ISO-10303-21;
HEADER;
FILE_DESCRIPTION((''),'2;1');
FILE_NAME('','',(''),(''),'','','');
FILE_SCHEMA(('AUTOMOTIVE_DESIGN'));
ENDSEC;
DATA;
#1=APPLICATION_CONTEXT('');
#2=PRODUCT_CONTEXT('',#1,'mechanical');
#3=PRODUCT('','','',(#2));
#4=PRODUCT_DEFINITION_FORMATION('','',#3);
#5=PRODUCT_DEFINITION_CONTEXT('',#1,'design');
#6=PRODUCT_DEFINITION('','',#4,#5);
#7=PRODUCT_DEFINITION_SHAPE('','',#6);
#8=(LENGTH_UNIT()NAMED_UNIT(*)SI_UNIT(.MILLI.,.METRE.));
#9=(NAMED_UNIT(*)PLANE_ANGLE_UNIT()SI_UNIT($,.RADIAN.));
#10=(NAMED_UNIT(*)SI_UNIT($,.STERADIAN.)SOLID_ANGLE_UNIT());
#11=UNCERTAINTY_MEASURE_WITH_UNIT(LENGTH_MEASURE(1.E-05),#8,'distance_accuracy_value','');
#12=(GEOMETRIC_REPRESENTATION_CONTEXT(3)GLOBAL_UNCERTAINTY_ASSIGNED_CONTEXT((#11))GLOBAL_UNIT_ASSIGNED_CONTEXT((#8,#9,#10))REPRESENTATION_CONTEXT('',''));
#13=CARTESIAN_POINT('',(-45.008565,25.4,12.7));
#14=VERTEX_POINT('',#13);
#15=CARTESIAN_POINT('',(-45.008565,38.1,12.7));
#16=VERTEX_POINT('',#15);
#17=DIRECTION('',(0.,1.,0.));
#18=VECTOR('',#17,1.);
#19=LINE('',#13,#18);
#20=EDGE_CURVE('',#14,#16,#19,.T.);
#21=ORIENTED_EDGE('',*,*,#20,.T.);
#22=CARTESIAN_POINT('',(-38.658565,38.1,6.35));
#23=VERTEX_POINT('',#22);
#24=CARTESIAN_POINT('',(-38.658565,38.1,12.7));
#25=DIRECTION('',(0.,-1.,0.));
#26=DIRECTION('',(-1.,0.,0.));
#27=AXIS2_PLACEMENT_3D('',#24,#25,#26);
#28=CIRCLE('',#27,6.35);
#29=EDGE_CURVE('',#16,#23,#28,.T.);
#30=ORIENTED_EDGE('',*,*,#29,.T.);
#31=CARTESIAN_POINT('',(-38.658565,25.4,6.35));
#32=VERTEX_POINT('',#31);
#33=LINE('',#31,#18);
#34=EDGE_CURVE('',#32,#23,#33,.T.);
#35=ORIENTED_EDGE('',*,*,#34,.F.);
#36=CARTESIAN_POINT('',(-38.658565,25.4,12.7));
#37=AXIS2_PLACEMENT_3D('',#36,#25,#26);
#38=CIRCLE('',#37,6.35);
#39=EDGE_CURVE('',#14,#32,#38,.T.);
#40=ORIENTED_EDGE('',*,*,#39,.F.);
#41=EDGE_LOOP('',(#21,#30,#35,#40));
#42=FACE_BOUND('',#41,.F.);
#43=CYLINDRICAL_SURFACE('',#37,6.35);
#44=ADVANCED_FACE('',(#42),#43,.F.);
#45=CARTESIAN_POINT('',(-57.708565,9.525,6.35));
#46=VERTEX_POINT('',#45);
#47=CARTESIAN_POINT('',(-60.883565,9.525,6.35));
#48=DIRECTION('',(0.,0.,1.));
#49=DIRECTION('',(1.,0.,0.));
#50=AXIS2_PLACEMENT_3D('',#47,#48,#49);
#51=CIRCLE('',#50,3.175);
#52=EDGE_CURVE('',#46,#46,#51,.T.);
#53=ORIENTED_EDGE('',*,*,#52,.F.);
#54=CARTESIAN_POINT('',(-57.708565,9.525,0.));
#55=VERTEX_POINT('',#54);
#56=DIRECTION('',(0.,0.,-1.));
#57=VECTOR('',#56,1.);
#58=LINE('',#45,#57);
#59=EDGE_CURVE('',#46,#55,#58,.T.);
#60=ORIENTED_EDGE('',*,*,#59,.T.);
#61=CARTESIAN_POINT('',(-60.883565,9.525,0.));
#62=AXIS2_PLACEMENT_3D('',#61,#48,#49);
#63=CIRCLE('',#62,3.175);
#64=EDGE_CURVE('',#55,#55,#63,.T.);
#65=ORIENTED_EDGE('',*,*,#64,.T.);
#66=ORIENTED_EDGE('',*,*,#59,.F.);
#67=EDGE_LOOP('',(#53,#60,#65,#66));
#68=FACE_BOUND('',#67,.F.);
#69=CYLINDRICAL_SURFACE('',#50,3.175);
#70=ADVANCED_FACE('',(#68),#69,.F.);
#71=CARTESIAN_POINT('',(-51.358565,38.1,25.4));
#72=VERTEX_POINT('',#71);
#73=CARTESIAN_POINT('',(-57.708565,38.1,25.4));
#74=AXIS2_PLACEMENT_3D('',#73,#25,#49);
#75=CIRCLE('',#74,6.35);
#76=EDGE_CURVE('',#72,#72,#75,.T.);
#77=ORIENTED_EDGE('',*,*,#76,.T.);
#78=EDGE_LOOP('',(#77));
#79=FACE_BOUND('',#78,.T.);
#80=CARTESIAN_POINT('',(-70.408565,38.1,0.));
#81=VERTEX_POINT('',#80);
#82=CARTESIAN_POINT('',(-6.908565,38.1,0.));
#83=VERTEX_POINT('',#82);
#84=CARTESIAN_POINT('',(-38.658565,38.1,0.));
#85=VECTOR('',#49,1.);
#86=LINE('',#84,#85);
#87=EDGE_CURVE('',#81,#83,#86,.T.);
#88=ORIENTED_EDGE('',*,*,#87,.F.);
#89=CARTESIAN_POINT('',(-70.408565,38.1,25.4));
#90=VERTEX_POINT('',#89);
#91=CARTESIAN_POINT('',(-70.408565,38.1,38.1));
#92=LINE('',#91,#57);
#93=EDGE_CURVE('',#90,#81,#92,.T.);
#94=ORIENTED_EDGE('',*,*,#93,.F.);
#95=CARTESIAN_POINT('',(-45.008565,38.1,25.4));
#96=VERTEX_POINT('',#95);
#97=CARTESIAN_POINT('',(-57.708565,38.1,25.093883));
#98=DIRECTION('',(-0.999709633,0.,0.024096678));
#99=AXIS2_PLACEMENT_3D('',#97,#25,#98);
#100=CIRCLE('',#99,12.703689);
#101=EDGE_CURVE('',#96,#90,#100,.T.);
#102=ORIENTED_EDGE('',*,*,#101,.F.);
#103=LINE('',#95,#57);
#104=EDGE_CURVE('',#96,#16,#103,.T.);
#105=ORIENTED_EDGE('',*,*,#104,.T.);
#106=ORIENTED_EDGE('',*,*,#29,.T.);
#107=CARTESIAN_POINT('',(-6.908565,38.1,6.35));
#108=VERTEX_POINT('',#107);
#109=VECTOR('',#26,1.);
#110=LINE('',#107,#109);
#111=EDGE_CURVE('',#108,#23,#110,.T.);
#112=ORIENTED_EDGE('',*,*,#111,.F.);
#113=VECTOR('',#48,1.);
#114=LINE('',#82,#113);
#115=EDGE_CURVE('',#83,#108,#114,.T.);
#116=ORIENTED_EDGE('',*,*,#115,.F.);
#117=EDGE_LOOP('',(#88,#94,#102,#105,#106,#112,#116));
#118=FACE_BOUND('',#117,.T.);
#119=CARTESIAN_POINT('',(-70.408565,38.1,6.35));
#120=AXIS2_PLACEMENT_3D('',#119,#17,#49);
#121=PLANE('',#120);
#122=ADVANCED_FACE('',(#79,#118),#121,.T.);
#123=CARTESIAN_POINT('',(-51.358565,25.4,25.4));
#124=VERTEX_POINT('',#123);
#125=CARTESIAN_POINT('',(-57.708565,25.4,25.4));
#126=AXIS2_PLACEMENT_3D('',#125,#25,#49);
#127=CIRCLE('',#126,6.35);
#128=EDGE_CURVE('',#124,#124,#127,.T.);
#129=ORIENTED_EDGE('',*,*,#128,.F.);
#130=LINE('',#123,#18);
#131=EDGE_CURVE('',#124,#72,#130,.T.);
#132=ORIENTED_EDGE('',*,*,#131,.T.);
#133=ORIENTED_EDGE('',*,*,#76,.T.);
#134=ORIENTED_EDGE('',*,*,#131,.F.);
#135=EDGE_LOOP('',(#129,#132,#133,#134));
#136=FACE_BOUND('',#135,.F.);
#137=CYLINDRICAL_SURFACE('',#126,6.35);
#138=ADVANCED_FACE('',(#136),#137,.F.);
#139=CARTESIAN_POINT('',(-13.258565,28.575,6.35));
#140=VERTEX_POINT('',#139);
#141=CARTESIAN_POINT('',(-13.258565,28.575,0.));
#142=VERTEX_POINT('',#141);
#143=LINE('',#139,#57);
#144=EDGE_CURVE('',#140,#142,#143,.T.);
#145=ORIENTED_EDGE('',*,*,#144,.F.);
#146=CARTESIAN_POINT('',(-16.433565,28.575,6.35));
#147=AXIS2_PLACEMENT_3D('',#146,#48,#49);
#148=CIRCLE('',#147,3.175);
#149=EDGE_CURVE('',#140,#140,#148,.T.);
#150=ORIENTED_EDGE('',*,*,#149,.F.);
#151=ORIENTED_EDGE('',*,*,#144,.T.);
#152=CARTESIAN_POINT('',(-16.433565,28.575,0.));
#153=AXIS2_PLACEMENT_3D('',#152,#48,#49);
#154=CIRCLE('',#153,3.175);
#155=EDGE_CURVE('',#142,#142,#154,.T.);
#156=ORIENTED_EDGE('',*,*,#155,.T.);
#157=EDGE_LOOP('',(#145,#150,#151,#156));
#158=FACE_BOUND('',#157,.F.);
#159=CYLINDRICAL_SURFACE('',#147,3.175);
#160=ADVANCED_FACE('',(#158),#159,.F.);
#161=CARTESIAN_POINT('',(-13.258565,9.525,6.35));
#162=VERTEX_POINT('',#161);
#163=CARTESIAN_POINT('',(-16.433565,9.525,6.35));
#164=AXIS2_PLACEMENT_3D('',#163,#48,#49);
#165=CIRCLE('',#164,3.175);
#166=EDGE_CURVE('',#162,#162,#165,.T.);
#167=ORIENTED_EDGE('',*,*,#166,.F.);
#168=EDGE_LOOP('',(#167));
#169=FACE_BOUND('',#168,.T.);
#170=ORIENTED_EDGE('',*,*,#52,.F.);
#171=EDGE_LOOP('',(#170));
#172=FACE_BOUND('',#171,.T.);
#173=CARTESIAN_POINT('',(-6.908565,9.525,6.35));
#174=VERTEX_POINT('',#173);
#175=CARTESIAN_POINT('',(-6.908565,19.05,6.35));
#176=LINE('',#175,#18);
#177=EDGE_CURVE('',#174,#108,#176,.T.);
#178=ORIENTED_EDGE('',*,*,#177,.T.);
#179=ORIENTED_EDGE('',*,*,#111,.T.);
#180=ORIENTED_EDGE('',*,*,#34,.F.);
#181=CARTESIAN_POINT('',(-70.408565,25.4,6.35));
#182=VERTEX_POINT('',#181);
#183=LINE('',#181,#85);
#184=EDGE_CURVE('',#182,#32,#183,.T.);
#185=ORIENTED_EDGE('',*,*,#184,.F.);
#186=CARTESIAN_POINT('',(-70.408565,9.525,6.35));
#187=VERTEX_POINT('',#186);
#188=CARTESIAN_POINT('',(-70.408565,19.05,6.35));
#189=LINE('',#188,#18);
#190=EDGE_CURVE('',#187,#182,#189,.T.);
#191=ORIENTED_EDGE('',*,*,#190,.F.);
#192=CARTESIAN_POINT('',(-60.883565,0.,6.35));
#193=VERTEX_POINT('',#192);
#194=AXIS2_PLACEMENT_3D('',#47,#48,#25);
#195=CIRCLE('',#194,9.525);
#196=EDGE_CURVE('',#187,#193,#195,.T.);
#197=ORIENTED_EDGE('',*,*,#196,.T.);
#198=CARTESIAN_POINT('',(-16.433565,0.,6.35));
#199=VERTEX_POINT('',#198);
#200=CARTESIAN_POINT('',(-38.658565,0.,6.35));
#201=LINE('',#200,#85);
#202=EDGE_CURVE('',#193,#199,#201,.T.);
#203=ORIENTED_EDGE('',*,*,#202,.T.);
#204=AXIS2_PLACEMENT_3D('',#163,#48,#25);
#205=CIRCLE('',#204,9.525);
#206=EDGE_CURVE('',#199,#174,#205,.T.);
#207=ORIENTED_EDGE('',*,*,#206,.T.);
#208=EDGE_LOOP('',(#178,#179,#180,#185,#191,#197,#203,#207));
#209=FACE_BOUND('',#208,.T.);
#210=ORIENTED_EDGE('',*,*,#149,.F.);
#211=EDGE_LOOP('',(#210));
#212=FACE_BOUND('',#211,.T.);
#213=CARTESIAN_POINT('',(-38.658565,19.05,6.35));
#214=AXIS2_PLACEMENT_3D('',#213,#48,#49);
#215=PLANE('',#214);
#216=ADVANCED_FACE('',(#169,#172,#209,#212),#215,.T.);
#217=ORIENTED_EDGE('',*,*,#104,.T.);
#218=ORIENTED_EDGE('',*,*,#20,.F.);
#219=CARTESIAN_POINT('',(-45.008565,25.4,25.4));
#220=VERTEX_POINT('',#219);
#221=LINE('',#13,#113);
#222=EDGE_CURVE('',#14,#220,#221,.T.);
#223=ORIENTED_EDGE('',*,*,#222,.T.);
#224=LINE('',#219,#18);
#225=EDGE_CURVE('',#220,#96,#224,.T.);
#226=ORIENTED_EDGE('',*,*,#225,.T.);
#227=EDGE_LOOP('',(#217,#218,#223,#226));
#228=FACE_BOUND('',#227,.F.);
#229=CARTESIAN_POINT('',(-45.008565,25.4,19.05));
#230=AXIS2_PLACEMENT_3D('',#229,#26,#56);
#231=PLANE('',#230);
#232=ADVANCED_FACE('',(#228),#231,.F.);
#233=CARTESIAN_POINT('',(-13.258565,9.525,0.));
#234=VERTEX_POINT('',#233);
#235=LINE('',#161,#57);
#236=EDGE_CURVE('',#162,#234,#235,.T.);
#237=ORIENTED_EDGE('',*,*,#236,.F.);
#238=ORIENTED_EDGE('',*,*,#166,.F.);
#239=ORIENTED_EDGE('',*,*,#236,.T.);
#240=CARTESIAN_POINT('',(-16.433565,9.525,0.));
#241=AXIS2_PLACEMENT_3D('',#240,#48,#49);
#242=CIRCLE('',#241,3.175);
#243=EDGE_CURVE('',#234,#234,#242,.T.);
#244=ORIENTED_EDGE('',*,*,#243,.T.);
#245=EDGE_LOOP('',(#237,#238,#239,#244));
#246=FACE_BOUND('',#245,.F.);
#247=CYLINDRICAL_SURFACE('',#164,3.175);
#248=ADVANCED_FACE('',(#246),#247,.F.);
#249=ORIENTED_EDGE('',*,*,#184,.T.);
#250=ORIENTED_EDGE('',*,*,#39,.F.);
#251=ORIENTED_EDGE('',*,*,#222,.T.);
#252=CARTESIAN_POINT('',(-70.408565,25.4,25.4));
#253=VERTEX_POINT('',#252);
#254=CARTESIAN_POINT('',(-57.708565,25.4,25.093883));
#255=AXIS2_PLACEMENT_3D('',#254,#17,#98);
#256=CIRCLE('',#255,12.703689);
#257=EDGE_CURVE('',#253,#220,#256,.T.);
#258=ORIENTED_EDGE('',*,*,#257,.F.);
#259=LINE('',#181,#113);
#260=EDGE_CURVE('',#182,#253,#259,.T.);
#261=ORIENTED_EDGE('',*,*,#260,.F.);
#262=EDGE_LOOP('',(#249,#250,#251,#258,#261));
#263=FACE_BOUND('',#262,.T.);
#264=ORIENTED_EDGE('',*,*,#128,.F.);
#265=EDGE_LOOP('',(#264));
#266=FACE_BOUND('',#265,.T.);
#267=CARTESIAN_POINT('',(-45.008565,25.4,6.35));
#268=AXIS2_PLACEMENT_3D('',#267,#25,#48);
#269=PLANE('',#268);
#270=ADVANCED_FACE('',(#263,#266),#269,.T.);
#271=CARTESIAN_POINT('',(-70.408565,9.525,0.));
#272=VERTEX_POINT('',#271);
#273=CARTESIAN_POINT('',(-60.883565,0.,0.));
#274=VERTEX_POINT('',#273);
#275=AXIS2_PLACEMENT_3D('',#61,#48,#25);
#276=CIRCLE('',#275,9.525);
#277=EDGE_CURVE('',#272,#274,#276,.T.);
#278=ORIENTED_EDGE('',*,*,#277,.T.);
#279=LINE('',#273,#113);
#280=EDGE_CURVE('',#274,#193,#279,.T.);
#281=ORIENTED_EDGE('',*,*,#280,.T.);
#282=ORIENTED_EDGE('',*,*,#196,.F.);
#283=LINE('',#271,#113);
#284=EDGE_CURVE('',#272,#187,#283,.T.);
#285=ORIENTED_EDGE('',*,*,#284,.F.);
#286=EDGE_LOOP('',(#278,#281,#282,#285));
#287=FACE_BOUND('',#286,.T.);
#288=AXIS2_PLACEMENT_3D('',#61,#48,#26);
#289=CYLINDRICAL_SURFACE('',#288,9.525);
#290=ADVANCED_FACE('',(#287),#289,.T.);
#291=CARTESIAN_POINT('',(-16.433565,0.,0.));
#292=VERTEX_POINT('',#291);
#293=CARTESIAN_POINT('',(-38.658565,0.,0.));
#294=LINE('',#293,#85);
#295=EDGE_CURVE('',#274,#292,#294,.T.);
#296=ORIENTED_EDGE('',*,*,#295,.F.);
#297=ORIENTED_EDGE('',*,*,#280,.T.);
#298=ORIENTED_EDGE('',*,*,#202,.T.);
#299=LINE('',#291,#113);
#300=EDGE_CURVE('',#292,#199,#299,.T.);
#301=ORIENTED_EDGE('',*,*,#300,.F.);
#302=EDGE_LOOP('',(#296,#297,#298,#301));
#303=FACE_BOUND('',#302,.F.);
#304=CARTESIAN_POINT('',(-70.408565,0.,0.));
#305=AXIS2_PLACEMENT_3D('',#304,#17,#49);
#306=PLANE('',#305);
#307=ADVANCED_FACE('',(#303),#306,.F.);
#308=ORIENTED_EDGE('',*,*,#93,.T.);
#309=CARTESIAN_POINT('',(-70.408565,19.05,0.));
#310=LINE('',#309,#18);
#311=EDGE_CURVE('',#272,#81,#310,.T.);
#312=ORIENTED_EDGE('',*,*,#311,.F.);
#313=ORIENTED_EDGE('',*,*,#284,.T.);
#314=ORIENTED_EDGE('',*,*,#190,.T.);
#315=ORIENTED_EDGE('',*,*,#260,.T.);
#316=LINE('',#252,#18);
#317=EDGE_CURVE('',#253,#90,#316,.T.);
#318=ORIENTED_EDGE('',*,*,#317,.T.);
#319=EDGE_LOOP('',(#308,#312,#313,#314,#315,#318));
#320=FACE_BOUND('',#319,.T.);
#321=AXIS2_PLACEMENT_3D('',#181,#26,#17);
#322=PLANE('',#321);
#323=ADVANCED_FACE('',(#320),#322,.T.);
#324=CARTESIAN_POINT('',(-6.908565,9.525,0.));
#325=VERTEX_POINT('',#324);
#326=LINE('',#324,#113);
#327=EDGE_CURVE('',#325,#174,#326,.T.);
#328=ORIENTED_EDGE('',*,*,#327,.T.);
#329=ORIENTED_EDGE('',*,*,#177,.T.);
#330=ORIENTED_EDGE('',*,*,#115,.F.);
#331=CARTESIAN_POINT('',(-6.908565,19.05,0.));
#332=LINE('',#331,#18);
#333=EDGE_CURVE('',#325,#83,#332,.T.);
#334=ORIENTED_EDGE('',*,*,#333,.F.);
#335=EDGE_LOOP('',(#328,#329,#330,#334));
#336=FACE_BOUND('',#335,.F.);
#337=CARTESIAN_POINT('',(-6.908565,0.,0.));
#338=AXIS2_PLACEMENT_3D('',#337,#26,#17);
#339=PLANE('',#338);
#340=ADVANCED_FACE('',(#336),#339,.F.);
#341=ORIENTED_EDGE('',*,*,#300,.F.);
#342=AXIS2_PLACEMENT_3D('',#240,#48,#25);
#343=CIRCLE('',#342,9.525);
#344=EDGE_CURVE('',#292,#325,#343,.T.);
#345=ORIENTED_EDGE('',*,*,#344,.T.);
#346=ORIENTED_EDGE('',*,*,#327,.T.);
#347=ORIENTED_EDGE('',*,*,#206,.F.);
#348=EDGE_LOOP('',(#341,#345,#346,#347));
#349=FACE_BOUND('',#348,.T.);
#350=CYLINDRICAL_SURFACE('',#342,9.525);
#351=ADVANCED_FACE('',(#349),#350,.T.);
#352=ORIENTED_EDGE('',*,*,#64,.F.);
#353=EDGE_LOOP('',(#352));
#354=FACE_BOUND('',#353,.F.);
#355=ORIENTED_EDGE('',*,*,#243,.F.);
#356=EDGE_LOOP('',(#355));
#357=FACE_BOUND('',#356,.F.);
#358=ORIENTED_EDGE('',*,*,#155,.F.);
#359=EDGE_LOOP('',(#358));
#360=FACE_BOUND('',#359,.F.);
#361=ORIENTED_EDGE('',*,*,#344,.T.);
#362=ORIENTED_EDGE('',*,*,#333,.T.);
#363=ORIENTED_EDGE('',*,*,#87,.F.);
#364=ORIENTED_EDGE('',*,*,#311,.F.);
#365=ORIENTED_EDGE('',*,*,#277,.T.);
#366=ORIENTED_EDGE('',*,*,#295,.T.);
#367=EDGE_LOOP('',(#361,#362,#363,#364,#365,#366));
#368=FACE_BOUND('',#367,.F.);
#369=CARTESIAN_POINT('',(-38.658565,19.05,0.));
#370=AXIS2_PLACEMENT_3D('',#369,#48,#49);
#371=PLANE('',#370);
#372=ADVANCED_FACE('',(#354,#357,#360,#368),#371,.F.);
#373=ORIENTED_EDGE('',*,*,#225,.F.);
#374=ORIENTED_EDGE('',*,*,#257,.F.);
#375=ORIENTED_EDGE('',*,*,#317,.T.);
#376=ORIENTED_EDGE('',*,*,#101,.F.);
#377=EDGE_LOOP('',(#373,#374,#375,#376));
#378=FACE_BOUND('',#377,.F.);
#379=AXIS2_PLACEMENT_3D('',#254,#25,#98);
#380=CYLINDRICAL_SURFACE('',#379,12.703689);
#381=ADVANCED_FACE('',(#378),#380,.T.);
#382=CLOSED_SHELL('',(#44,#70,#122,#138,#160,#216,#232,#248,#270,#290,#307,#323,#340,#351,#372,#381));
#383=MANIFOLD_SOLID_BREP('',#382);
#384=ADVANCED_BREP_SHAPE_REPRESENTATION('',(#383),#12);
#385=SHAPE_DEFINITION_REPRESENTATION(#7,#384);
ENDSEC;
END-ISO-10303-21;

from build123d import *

# Parameters (mm, degrees)
F0_W      = 63.5
F0_H      = 38.1
F1_DEPTH  = 6.35
F2_R      = 3.175
F3_DEPTH  = 25.4
F4_W      = 25.4
F4_H      = 12.7
F5_DEPTH  = 31.75
F6_R      = 6.35
F7_DEPTH  = 25.4
F8_R      = 9.525
F9_W      = 12.7
F9_H      = 12.7
F10_DEPTH = 12.7
F12_DEPTH = 25.4


with BuildPart() as f1:
    # F0 (on Top) → F1 (new body)
    with BuildSketch(Plane.XY):
        with Locations((-38.658564874, 19.05)):
            Rectangle(F0_W, F0_H)
    extrude(amount=F1_DEPTH)

    # F2 (on face) → F3 (cut)
    with BuildSketch(Plane.XY.offset(6.35)):
        with Locations((-16.433564874, 28.575)):
            Circle(F2_R)
        with Locations((-16.433564874, 9.525)):
            Circle(F2_R)
        with Locations((-60.883564874, 9.525)):
            Circle(F2_R)
    extrude(amount=-F3_DEPTH, mode=Mode.SUBTRACT)

    # F4 (on face) → F5 (join)
    with BuildSketch(Plane.XY.offset(6.35)):
        with Locations((-57.708564874, 31.75)):
            Rectangle(F4_W, F4_H)
    extrude(amount=F5_DEPTH)

    # F6 (on face) → F7 (cut)
    with BuildSketch(Plane.XZ.offset(-25.4)):
        with Locations((-57.708564874, 25.4)):
            Circle(F6_R)
        with BuildLine():
            ThreePointArc((-70.408564874, 25.4), (-57.708564874, 37.7975720317), (-45.008564874, 25.4))
            Line((-45.008564874, 25.4), (-45.008564874, 38.1))
            Line((-45.008564874, 38.1), (-70.408564874, 38.1))
            Line((-70.408564874, 38.1), (-70.408564874, 25.4))
        make_face()
    extrude(amount=-F7_DEPTH, mode=Mode.SUBTRACT)

    # F8
    f8_edges = [f1.edges().sort_by_distance(p)[0] for p in [
        (-6.908565, 0, 3.175),
        (-70.408565, 0, 3.175),
    ]]
    fillet(f8_edges, radius=F8_R)

    # F9 (on face) → F10 (join)
    with BuildSketch(Plane.YZ.offset(-45.008564874)):
        with Locations((31.75, 12.7)):
            Rectangle(F9_W, F9_H)
    extrude(amount=F10_DEPTH)

    # F11 (on face) → F12 (cut)
    with BuildSketch(Plane.XZ.offset(-25.4)):
        with BuildLine():
            Line((-32.308564874, 19.05), (-38.658564874, 19.05))
            ThreePointArc((-38.658564874, 19.05), (-34.1684368135, 17.1901280605), (-32.308564874, 12.7))
            Line((-32.308564874, 12.7), (-32.308564874, 19.05))
        make_face()
        with BuildLine():
            Line((-38.658564874, 19.05), (-45.008564874, 19.05))
            Line((-45.008564874, 19.05), (-45.008564874, 12.7))
            ThreePointArc((-45.008564874, 12.7), (-43.1486929345, 17.1901280605), (-38.658564874, 19.05))
        make_face()
        with BuildLine():
            ThreePointArc((-32.308564874, 12.7), (-34.1684368135, 8.2098719395), (-38.658564874, 6.35))
            Line((-38.658564874, 6.35), (-32.308564874, 6.35))
            Line((-32.308564874, 6.35), (-32.308564874, 12.7))
        make_face()
        with BuildLine():
            ThreePointArc((-38.658564874, 19.05), (-43.1486929345, 17.1901280605), (-45.008564874, 12.7))
            ThreePointArc((-45.008564874, 12.7), (-43.1486929345, 8.2098719395), (-38.658564874, 6.35))
            ThreePointArc((-38.658564874, 6.35), (-34.1684368135, 8.2098719395), (-32.308564874, 12.7))
            ThreePointArc((-32.308564874, 12.7), (-34.1684368135, 17.1901280605), (-38.658564874, 19.05))
        make_face()
    extrude(amount=-F12_DEPTH, mode=Mode.SUBTRACT)


solid = f1.part
